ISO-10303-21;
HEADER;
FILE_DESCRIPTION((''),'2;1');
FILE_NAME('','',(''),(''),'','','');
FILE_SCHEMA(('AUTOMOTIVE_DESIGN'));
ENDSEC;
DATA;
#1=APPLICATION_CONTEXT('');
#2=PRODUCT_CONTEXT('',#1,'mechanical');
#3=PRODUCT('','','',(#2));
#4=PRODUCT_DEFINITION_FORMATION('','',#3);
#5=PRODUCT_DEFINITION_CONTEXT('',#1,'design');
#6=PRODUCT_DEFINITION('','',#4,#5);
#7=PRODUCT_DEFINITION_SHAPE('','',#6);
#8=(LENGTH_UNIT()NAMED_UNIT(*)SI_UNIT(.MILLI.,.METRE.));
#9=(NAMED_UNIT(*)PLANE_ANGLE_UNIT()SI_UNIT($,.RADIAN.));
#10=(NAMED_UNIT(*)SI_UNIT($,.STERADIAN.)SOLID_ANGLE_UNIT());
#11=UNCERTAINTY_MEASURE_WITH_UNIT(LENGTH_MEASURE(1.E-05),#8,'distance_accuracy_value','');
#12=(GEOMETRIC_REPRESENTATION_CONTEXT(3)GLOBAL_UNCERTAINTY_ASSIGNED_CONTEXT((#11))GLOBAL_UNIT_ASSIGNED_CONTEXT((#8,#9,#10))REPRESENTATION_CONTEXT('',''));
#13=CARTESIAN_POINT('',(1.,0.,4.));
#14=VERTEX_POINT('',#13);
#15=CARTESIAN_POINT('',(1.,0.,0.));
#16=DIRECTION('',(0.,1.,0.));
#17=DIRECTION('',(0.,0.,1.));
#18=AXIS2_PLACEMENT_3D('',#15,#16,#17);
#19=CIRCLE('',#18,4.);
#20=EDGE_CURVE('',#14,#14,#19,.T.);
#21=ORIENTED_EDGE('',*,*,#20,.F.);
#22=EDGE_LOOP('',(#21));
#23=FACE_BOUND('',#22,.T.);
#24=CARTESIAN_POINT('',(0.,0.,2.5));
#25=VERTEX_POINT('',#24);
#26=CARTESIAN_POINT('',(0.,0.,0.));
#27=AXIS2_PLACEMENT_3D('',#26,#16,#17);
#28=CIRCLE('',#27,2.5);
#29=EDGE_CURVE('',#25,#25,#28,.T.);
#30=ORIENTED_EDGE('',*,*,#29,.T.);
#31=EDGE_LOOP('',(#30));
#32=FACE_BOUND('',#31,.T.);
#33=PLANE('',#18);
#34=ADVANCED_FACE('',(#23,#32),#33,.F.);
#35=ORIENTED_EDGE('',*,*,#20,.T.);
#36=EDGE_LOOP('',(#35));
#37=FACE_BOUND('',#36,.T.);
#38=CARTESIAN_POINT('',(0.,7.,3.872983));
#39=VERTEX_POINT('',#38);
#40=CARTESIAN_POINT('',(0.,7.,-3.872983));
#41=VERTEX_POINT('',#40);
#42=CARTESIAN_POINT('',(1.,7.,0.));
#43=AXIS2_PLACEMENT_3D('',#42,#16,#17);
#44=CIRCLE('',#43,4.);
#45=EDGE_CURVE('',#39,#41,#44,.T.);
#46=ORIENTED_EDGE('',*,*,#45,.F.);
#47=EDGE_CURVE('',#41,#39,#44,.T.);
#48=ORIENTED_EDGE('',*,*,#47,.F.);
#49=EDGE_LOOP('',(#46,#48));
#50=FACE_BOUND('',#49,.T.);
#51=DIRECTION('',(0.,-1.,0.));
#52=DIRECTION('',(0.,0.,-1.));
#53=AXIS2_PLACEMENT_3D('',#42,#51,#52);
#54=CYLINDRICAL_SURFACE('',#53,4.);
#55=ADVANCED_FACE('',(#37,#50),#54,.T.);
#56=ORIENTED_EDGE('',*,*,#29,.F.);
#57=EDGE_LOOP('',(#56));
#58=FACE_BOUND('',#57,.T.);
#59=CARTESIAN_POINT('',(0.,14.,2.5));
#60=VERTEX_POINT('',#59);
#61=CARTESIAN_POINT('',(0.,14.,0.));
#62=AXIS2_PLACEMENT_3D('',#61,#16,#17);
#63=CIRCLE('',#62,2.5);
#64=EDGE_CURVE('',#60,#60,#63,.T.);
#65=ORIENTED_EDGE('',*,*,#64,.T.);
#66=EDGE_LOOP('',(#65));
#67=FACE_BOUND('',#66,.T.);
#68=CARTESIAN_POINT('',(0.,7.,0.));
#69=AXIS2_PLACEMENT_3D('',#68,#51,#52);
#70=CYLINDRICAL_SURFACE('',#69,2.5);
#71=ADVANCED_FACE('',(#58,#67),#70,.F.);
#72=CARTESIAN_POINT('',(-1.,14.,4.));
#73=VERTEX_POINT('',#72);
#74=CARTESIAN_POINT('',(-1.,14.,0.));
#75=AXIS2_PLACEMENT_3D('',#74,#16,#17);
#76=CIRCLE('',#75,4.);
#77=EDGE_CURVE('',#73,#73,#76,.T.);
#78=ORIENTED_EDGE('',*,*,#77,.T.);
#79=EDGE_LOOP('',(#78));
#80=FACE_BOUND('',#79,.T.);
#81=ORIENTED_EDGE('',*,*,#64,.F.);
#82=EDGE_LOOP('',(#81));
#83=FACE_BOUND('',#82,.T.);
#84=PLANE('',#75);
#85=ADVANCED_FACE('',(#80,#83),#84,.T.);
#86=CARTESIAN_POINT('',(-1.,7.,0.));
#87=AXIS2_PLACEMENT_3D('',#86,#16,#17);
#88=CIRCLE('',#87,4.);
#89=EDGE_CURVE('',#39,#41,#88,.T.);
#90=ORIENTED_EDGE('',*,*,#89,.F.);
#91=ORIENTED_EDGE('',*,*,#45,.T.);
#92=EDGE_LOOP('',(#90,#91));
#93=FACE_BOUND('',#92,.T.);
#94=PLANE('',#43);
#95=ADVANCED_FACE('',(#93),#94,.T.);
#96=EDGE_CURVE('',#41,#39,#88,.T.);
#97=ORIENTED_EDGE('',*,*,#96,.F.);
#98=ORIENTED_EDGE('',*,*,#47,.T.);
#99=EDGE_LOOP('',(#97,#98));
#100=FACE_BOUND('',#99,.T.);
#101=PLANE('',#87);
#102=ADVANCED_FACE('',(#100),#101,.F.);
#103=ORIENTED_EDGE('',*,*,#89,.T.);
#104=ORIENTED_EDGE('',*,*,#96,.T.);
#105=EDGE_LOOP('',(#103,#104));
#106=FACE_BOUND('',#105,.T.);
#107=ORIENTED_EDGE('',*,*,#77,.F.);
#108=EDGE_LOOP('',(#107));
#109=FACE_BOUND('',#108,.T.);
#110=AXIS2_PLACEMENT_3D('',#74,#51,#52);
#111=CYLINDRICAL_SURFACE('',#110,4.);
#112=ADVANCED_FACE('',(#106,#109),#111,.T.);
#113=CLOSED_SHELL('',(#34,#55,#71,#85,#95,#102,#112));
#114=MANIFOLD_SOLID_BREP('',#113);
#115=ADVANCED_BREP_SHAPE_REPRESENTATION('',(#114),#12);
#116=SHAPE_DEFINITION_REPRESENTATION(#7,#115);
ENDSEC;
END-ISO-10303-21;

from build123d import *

# Parameters (mm, degrees)
SKETCH2_R           = 4
SKETCH2_R_2         = 2.5
BOSS_EXTRUDE1_DEPTH = 7
SKETCH3_R           = 4
SKETCH3_R_2         = 2.5
BOSS_EXTRUDE2_DEPTH = 7


with BuildPart() as part:
    # Sketch2 → Boss-Extrude1 (new body)
    with BuildSketch(Plane(origin=(0, 0, 0), x_dir=(1, 0, 0), z_dir=(0, 1, 0))):
        with Locations(Location((1, 0, 0), (0, 0, 270))):
            Circle(SKETCH2_R)
        with Locations(Location((0, 0, 0), (0, 0, 270))):
            Circle(SKETCH2_R_2, mode=Mode.SUBTRACT)
    extrude(amount=BOSS_EXTRUDE1_DEPTH)

    # Sketch3 → Boss-Extrude2 (add)
    with BuildSketch(Plane(origin=(0, 7, 0), x_dir=(1, 0, 0), z_dir=(0, 1, 0))):
        with Locations(Location((-1, 0, 0), (0, 0, 75.522487814))):
            Circle(SKETCH3_R)
        with Locations(Location((0, 0, 0), (0, 0, 270))):
            Circle(SKETCH3_R_2, mode=Mode.SUBTRACT)
    extrude(amount=BOSS_EXTRUDE2_DEPTH)


solid = part.part
